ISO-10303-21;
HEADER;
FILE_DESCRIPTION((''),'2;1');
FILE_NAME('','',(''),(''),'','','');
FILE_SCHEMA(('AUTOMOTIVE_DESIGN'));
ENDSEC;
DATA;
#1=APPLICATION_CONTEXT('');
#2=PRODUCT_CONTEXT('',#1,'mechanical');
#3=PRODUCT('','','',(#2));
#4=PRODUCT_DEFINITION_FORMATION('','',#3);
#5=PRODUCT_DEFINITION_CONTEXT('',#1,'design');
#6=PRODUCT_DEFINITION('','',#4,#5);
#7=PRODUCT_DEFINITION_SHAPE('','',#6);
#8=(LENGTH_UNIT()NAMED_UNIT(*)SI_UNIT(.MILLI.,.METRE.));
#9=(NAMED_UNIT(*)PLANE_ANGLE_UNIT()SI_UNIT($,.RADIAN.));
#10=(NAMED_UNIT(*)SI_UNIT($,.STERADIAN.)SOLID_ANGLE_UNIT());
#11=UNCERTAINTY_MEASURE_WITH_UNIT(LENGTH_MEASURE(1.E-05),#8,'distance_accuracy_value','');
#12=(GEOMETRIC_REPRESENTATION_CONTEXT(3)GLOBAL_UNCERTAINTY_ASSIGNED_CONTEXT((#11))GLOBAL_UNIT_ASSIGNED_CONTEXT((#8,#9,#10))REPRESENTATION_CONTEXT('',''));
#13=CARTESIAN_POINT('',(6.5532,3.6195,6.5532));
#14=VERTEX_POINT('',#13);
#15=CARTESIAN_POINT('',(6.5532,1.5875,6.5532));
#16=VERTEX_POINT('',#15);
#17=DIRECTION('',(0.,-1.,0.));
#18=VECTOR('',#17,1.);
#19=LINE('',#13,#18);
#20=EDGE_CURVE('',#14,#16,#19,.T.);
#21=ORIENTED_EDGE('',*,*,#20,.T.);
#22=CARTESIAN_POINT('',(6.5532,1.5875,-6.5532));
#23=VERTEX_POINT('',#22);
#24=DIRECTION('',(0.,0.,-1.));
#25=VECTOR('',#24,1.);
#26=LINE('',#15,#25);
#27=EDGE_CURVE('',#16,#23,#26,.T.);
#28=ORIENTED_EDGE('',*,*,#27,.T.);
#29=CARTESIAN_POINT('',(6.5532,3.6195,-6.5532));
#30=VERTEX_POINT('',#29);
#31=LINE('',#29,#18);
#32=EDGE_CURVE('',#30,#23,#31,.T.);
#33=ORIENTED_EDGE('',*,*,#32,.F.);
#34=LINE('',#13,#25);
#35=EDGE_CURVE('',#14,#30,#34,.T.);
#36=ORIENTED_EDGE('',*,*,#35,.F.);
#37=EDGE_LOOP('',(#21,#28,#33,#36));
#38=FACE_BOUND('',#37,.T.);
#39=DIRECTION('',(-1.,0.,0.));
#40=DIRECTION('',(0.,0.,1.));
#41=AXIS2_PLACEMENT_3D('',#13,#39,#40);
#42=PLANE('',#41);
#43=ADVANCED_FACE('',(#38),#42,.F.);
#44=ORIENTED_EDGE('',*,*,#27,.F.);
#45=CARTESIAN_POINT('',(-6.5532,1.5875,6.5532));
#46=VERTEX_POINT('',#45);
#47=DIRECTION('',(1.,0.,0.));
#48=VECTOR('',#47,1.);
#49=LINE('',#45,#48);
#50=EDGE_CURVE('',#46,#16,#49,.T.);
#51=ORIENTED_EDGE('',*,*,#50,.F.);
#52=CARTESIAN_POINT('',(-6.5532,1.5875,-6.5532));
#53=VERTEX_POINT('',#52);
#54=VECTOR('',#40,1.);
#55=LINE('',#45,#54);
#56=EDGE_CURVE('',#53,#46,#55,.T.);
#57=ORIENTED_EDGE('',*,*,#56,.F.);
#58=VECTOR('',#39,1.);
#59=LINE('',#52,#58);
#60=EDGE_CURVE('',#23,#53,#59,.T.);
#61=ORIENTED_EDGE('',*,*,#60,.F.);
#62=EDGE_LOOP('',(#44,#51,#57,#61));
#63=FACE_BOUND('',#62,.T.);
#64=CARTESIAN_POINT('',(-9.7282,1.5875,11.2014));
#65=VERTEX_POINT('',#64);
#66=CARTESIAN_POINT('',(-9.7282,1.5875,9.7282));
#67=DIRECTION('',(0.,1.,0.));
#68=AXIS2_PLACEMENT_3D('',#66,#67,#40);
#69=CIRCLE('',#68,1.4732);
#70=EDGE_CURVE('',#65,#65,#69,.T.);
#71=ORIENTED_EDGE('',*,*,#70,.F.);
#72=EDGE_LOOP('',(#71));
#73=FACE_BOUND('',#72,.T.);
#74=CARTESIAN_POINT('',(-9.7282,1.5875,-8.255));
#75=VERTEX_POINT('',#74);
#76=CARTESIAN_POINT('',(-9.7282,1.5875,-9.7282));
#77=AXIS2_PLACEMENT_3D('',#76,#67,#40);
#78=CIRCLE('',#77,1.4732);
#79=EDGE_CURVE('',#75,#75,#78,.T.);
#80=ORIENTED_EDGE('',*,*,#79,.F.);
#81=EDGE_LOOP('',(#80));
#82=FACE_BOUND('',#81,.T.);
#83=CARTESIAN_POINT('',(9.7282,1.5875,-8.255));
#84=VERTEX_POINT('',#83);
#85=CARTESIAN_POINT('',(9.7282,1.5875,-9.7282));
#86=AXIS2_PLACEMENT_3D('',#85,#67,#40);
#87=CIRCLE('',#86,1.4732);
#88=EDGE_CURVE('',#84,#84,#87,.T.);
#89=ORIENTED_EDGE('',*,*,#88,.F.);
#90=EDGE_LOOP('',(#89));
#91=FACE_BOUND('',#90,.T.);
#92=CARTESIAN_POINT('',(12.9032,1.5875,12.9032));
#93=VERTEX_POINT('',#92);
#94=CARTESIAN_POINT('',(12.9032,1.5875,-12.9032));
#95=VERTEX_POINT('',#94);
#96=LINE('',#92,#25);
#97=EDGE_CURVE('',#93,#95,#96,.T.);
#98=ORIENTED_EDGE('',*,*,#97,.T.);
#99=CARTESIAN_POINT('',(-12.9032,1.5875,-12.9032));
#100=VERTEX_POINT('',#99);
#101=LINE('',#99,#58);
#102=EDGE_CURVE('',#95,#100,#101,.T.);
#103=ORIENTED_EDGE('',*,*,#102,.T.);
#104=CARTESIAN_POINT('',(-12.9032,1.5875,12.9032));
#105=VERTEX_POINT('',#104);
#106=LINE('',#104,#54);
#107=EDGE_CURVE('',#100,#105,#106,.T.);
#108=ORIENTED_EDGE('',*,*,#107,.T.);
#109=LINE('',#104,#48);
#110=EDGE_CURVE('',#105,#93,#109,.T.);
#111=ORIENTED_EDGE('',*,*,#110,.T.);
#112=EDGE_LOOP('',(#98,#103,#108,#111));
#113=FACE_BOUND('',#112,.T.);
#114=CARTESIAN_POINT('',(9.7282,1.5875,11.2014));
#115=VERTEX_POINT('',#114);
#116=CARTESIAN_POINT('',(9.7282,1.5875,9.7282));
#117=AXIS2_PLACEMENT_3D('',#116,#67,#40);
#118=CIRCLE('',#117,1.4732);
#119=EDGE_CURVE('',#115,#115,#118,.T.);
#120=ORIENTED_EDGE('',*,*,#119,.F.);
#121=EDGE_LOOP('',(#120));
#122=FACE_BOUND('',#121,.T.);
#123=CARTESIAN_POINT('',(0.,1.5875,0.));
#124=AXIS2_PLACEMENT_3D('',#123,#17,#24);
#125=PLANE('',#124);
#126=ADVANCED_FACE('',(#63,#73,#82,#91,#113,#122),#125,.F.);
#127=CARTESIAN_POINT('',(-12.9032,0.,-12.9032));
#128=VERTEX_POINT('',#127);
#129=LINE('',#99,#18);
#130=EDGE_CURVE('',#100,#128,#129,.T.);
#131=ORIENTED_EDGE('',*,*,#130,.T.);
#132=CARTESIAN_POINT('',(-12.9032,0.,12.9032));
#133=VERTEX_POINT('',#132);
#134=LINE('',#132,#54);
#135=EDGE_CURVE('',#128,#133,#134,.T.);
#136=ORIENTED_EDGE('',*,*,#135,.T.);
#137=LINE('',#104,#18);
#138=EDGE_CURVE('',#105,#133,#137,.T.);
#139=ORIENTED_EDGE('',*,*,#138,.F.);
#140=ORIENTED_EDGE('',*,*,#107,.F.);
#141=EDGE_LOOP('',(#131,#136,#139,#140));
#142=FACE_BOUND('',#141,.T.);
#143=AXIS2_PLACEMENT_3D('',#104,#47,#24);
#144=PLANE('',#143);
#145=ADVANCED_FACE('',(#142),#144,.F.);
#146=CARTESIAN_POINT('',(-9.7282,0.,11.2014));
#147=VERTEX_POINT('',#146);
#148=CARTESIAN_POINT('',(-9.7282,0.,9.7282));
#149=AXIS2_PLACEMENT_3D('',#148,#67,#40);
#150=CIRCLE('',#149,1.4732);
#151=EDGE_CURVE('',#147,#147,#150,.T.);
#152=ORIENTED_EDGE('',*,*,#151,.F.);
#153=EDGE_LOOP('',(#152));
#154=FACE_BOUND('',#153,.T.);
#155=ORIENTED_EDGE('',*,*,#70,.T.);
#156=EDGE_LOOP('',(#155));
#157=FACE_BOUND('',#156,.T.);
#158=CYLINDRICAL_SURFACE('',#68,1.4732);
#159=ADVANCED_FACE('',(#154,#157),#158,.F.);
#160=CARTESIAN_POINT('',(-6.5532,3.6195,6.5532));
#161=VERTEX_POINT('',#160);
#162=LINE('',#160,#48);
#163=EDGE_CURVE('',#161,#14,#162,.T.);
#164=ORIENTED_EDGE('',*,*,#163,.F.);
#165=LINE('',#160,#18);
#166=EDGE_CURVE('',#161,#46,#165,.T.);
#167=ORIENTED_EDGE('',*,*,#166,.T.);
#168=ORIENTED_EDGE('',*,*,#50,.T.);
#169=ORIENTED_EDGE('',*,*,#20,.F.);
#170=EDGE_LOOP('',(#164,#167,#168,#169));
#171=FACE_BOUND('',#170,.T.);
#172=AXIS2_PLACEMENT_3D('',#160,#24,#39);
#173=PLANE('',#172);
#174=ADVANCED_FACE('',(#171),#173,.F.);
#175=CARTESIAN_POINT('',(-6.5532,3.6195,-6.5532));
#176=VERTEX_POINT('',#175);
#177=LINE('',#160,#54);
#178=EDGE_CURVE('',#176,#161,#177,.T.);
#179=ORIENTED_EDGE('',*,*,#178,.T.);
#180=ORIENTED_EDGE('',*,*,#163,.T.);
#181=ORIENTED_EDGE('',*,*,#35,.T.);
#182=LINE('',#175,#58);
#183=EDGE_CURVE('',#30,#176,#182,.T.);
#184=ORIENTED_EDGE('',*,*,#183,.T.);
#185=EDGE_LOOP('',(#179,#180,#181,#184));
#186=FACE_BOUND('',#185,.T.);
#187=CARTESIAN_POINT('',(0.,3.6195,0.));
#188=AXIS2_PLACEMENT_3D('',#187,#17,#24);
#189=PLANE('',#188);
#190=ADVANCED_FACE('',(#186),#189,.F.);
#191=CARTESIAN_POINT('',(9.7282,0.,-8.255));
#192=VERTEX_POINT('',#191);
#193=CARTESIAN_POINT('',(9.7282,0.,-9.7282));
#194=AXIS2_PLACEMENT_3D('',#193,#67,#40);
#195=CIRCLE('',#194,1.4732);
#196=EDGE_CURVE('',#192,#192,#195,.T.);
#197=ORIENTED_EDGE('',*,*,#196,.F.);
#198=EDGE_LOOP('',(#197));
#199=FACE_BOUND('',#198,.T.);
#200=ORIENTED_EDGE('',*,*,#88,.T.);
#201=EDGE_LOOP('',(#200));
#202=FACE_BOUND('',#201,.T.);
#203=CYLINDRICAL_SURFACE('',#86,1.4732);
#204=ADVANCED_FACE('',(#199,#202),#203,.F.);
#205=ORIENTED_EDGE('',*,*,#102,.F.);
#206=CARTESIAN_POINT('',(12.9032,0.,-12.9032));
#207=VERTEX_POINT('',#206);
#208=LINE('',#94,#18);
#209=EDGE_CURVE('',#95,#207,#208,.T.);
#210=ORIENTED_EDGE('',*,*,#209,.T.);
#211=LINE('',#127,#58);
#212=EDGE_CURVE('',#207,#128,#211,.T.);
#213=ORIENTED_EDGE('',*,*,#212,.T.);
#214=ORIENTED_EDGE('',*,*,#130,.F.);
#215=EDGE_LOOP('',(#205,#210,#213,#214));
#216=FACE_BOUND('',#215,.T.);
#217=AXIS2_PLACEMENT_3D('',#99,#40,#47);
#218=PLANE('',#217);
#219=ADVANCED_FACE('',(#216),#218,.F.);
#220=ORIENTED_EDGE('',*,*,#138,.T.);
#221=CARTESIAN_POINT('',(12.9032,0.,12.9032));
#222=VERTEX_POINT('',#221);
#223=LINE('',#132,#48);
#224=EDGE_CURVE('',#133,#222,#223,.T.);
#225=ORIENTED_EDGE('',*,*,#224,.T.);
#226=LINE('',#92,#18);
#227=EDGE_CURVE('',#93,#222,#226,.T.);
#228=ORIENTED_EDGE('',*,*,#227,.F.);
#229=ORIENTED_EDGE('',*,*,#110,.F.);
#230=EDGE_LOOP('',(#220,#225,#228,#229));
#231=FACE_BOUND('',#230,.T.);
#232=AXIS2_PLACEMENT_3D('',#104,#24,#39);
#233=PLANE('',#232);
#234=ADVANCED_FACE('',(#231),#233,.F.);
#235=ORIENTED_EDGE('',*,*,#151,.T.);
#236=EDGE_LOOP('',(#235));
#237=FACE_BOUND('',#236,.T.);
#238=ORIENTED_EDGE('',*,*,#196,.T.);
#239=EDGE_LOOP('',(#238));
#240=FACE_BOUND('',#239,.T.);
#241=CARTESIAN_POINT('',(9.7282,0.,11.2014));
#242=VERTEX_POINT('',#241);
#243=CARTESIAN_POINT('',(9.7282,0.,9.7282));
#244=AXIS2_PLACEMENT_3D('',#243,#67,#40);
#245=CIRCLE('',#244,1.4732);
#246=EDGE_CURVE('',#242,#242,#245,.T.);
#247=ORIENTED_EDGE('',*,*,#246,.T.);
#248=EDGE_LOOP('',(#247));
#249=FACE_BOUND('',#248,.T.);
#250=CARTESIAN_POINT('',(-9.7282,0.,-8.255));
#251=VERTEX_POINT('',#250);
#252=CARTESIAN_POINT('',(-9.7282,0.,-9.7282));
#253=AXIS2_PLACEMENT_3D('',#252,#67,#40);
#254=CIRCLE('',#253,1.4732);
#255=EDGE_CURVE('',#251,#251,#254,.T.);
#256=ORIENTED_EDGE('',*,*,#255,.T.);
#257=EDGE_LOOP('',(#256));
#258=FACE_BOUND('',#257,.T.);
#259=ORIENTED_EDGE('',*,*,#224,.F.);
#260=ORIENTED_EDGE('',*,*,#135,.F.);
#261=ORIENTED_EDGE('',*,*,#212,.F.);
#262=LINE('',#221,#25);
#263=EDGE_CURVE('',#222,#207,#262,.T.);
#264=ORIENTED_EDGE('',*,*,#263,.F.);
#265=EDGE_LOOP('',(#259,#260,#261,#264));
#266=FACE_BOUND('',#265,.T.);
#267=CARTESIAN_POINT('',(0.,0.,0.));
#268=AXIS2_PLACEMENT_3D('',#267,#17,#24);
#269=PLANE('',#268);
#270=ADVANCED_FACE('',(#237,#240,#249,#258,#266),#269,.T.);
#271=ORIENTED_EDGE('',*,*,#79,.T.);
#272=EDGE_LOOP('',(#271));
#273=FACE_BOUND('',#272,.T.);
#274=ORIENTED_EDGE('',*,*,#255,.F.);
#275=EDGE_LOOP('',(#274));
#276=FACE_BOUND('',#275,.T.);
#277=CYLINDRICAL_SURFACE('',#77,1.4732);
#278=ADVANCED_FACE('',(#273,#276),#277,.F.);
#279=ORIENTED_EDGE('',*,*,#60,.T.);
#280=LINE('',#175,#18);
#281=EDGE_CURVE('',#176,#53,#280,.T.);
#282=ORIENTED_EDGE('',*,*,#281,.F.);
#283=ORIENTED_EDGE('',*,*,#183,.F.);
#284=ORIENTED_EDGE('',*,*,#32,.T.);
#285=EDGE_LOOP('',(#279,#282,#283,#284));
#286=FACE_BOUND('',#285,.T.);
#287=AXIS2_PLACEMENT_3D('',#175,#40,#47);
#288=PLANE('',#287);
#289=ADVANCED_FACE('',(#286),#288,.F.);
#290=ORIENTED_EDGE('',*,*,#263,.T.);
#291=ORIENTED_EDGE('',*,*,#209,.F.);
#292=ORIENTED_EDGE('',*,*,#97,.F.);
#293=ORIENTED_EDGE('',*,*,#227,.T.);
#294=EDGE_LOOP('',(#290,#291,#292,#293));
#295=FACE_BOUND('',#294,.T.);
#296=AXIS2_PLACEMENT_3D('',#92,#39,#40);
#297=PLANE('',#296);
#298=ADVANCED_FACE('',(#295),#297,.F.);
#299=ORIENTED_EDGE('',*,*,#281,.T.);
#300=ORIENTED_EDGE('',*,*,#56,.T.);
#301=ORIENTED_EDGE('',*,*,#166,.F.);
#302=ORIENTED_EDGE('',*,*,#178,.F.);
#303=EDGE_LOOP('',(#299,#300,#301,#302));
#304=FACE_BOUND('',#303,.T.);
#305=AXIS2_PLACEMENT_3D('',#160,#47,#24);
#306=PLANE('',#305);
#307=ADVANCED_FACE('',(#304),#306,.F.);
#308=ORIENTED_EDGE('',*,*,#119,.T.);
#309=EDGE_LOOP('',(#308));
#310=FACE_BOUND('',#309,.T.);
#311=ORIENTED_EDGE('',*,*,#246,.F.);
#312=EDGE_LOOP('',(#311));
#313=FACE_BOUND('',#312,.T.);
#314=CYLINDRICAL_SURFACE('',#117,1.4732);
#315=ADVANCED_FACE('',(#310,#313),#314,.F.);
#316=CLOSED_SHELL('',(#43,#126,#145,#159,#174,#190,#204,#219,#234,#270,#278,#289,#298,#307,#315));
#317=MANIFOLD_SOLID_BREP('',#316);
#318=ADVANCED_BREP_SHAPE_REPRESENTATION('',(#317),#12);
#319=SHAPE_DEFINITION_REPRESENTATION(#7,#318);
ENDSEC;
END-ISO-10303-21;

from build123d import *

# Parameters (mm, degrees)
SKETCH1_W                   = 25.8064
SKETCH1_H                   = 25.8064
BOSS_EXTRUDE1_DEPTH         = 1.5875
SKETCH2_W                   = 13.1064
SKETCH2_H                   = 13.1064
BOSS_EXTRUDE2_DEPTH         = 2.032
F_32_0_116_DIAMETER_HOLE1_D = 2.9464


with BuildPart() as part:
    # Sketch1 → Boss-Extrude1 (new body)
    with BuildSketch(Plane(origin=(0, 0, 0), x_dir=(1, 0, 0), z_dir=(0, 1, 0))):
        Rectangle(SKETCH1_W, SKETCH1_H)
    extrude(amount=BOSS_EXTRUDE1_DEPTH)

    # Sketch2 → Boss-Extrude2 (add)
    with BuildSketch(Plane(origin=(0, 1.5875, 0), x_dir=(1, 0, 0), z_dir=(0, 1, 0))):
        Rectangle(SKETCH2_W, SKETCH2_H)
    extrude(amount=BOSS_EXTRUDE2_DEPTH)

    # #32 (0.116) Diameter Hole1 (through all)
    with Locations(Plane(origin=(-9.7282, 1.5875, -9.7282), x_dir=(0, 0, 1), z_dir=(0, 1, 0))):
        with Locations((0, 0), (19.4564, 0), (19.4564, 19.4564), (0, 19.4564)):
            Hole(F_32_0_116_DIAMETER_HOLE1_D / 2)


solid = part.part
